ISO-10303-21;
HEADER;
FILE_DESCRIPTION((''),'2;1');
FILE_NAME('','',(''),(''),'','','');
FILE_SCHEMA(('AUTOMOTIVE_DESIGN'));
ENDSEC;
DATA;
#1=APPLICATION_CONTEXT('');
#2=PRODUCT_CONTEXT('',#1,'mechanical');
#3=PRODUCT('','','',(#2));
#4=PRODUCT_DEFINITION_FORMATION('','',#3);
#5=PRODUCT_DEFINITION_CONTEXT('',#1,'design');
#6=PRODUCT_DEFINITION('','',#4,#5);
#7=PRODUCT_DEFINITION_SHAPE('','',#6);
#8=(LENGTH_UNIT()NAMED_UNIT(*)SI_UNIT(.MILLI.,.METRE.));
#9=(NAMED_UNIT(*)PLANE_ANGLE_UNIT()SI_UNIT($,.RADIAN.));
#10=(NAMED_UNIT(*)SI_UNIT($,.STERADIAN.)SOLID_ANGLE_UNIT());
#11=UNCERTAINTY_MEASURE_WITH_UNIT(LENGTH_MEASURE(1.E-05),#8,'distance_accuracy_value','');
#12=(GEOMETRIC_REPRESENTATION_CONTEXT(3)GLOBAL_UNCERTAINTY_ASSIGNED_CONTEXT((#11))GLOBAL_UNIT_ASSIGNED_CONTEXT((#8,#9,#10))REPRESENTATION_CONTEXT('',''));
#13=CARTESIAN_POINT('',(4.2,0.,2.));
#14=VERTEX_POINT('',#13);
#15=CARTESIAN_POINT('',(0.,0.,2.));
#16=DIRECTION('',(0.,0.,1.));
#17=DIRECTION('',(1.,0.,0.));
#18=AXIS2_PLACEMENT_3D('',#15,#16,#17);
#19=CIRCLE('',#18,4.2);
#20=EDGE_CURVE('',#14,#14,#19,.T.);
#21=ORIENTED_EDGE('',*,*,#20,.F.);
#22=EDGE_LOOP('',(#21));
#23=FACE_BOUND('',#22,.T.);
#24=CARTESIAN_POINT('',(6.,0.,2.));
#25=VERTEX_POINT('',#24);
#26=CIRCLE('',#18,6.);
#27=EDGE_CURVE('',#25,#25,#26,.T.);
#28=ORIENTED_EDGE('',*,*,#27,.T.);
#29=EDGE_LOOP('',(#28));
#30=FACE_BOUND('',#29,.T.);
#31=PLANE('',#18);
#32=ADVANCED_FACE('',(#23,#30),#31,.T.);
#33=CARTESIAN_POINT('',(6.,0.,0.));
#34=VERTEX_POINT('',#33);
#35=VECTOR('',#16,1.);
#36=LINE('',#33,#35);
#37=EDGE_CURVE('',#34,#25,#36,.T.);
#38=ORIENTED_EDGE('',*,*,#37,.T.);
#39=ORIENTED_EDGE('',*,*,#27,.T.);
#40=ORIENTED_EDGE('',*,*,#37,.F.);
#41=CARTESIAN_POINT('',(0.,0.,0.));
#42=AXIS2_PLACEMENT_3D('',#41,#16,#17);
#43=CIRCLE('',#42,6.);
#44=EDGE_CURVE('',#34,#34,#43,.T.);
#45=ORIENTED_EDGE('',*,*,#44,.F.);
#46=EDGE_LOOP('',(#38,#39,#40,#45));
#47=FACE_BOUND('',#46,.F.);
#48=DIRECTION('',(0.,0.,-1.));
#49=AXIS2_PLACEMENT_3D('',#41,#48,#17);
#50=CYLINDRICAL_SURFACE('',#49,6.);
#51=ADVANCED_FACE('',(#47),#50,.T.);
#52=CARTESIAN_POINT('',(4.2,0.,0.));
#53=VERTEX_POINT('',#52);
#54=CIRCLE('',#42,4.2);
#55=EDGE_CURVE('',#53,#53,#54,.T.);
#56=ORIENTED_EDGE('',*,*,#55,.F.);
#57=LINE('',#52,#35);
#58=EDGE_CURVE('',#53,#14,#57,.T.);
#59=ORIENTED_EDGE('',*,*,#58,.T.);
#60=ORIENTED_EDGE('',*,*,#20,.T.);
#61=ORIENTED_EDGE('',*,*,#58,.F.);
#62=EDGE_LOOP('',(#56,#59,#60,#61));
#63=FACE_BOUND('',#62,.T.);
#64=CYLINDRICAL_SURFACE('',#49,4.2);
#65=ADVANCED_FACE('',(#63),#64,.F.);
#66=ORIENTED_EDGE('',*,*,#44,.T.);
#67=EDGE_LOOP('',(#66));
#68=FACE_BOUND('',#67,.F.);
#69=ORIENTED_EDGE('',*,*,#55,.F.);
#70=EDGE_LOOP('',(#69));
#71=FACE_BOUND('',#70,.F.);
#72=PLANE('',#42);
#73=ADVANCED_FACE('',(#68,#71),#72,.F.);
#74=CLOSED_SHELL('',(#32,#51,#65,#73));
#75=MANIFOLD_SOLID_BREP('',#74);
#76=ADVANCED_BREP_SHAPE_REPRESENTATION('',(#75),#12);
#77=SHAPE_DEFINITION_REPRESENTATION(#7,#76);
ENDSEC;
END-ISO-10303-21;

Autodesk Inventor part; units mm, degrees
ref_plane "YZ Plane" through (0, 0, 0) normal (1, 0, 0) x (0, 1, 0)
ref_plane "XZ Plane" through (0, 0, 0) normal (0, 1, 0) x (-1, 0, 0)
ref_plane "XY Plane" through (0, 0, 0) normal (0, 0, 1) x (1, 0, 0)
sketch "Sketch1" plane through (0, 0, 0) normal (0, 0, 1) x (1, 0, 0)
  circle A0 centre (0, 0) radius 4.2
  circle A1 centre (0, 0) radius 6
  dimension "d0" = 8.4
  dimension "d1" = 12
extrude "Extrusion1" add sketch "Sketch1" along normal blind 2
equation "\"THICKNESS\" = 1"
properties part number "SpacerM8"
